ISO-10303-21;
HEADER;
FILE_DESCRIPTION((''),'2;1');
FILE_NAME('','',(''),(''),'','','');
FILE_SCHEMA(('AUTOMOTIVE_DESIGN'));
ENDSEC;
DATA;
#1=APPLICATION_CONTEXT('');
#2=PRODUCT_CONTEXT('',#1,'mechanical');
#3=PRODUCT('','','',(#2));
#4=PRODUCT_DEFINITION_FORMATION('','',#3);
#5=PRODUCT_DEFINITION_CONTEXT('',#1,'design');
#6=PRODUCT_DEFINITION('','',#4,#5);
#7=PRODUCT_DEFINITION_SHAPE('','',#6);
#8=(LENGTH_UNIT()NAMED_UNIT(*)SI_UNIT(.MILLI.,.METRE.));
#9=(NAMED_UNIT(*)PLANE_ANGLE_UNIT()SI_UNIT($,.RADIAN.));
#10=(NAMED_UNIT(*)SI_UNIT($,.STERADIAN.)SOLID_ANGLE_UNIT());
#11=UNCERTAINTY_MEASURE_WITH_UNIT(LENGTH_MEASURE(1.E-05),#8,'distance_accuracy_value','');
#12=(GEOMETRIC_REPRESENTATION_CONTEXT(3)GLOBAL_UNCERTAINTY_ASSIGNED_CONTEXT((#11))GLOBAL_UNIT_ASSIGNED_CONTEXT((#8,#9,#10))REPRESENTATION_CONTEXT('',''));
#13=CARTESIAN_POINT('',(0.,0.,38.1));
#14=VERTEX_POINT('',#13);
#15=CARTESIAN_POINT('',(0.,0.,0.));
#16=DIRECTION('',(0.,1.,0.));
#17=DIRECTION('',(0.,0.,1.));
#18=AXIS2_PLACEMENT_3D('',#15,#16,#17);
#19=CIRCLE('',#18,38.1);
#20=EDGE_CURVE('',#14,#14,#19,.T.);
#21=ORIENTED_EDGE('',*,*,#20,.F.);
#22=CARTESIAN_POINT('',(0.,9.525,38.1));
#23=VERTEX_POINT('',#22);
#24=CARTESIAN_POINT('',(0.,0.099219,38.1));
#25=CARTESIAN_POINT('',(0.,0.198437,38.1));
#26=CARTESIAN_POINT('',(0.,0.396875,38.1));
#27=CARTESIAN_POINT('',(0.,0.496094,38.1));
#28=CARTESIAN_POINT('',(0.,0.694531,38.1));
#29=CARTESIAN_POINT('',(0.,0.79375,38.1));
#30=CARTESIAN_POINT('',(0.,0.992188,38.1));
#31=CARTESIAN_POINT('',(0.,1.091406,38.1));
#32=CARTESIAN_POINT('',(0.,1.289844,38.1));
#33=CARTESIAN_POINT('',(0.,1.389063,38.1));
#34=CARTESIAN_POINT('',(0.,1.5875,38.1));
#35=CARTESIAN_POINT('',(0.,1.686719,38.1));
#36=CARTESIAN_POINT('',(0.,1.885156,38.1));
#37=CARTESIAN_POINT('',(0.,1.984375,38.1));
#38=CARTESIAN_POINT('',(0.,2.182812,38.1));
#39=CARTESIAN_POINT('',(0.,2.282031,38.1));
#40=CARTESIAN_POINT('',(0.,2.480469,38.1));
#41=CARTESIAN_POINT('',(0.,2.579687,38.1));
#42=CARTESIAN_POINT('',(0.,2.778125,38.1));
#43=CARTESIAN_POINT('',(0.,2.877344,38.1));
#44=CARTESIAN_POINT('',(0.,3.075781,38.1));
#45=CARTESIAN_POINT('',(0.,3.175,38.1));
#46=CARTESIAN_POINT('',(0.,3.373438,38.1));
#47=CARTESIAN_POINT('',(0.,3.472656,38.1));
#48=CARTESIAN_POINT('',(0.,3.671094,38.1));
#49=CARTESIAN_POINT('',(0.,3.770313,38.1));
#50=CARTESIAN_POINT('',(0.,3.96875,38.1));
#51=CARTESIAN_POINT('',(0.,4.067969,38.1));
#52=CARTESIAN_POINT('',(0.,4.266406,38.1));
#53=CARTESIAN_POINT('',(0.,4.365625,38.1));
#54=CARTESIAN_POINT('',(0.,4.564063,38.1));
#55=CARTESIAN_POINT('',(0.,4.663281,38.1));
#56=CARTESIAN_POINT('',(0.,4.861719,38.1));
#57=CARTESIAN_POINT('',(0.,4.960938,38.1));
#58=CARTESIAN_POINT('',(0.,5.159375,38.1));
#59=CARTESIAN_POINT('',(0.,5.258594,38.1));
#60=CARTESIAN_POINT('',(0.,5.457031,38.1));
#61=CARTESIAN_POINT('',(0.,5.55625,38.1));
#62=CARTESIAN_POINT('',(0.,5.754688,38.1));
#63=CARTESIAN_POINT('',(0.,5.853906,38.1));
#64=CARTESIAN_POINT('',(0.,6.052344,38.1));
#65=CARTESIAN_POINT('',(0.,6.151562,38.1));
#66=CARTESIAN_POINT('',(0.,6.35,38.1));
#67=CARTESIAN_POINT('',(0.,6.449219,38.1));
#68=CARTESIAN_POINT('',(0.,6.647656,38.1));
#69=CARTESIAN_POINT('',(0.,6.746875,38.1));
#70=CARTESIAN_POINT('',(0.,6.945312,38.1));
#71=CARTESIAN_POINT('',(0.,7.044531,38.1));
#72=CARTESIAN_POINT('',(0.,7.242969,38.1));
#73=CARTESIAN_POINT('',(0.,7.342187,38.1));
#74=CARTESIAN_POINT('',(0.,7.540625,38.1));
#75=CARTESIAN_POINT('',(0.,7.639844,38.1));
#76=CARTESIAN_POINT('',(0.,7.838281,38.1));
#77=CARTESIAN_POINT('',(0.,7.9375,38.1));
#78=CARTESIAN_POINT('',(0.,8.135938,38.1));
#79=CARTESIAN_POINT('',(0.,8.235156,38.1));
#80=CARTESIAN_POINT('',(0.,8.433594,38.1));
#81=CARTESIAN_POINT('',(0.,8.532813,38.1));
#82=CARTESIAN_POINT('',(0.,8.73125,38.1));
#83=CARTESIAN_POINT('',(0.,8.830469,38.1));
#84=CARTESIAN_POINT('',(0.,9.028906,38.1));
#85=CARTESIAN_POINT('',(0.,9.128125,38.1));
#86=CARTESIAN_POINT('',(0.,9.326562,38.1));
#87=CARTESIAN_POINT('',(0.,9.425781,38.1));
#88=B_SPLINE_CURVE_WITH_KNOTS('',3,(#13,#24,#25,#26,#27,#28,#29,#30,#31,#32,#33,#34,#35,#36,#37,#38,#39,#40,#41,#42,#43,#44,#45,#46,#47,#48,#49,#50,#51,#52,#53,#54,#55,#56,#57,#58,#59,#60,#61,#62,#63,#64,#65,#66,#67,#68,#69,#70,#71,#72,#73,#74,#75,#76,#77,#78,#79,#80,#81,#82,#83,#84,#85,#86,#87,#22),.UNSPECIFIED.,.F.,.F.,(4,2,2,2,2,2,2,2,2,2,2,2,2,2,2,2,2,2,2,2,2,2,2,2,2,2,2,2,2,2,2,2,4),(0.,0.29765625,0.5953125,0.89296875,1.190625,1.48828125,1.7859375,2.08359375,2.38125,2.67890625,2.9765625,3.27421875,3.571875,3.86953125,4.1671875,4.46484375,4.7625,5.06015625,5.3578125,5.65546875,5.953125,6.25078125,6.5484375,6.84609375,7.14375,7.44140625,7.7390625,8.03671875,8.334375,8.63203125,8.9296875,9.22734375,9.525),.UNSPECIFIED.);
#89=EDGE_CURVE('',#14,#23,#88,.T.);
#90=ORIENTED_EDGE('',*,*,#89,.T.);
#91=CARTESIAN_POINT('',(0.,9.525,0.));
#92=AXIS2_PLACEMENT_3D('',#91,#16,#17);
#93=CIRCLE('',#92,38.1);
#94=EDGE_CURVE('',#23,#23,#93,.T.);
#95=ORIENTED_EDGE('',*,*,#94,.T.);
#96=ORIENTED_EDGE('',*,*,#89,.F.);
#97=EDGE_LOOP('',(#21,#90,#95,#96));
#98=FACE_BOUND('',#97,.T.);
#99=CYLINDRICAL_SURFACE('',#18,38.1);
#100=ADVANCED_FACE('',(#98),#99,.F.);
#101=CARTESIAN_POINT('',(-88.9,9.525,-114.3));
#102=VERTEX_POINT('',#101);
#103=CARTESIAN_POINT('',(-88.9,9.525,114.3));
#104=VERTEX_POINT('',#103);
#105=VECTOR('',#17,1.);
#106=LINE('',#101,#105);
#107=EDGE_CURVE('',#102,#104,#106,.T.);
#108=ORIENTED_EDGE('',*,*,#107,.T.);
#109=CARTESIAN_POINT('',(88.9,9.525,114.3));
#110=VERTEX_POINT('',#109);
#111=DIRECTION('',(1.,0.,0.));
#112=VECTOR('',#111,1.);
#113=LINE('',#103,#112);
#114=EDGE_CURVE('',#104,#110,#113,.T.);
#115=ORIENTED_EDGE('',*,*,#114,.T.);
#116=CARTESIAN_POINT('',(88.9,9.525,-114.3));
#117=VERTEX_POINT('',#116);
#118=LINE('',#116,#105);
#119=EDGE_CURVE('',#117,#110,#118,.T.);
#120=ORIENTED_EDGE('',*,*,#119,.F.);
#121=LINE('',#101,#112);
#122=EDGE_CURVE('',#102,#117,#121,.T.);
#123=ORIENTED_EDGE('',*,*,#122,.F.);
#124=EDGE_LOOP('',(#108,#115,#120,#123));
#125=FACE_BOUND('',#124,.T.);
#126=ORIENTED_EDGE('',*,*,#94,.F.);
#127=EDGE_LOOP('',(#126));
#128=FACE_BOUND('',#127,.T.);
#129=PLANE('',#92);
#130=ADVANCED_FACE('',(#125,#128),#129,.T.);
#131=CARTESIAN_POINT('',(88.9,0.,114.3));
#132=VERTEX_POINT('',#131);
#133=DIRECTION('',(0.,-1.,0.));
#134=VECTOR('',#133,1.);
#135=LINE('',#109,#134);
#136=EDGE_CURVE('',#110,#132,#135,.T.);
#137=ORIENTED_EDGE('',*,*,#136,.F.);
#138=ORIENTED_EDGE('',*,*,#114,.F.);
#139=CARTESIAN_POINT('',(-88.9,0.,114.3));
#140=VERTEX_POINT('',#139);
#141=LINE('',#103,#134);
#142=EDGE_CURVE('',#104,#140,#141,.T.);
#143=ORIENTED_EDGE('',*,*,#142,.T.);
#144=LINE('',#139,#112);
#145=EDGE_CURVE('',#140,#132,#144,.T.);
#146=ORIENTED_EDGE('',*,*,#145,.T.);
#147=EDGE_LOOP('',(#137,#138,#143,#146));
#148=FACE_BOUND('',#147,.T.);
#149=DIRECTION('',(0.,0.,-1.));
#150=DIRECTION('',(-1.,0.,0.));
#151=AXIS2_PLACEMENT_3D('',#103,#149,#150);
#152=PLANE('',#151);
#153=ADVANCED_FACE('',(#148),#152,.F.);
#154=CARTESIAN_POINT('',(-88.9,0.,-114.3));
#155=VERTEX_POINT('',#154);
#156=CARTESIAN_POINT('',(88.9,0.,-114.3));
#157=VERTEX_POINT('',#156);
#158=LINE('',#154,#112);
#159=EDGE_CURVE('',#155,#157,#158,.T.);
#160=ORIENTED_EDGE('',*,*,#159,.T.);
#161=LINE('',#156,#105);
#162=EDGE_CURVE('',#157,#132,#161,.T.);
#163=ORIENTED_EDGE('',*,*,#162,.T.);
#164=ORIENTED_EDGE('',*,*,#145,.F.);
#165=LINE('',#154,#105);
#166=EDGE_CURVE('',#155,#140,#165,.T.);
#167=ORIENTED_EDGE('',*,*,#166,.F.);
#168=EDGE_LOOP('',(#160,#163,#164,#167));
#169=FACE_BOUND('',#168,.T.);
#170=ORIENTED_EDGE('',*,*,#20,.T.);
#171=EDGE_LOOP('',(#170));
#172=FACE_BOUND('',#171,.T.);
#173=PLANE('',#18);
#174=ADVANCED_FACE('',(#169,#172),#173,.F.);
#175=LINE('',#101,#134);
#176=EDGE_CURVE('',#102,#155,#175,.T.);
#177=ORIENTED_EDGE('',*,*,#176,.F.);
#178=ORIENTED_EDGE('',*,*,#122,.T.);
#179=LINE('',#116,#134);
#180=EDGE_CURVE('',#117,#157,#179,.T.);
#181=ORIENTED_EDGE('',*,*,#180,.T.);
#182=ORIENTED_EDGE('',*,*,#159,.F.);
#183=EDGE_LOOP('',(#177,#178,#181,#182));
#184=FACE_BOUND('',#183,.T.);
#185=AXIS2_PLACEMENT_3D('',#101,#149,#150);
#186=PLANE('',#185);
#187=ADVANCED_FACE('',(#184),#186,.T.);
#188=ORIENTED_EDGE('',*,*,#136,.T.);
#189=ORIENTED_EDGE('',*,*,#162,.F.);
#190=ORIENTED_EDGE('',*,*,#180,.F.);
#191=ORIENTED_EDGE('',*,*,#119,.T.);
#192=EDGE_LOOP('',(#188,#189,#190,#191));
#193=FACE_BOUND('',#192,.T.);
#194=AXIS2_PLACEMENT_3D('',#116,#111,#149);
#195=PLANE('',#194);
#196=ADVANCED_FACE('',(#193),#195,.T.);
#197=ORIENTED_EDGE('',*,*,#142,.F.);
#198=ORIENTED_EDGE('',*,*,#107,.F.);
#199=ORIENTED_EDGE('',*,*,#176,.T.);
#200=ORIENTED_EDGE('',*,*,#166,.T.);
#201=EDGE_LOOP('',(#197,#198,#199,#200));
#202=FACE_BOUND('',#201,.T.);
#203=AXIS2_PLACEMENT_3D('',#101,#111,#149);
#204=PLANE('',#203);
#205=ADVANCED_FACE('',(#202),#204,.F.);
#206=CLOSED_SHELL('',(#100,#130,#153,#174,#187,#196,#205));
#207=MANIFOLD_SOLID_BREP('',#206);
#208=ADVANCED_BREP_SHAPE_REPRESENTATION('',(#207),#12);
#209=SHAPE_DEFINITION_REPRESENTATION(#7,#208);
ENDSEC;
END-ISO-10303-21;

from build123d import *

# Parameters (mm, degrees)
SKETCH1_W           = 177.8
SKETCH1_H           = 228.6
BOSS_EXTRUDE1_DEPTH = 9.525
SKETCH2_R           = 38.1
CUT_EXTRUDE1_DEPTH  = 146.115215002


with BuildPart() as part:
    # Sketch1 → Boss-Extrude1 (new body)
    with BuildSketch(Plane(origin=(0, 0, 0), x_dir=(1, 0, 0), z_dir=(0, 1, 0))):
        Rectangle(SKETCH1_W, SKETCH1_H)
    extrude(amount=BOSS_EXTRUDE1_DEPTH)

    # Sketch2 → Cut-Extrude1 (cut, through all)
    with BuildSketch(Plane(origin=(0, 9.525, 0), x_dir=(1, 0, 0), z_dir=(0, 1, 0))):
        with Locations(Location((0, 0, 0), (0, 0, 270))):
            Circle(SKETCH2_R)
    extrude(amount=-CUT_EXTRUDE1_DEPTH, mode=Mode.SUBTRACT)


solid = part.part
